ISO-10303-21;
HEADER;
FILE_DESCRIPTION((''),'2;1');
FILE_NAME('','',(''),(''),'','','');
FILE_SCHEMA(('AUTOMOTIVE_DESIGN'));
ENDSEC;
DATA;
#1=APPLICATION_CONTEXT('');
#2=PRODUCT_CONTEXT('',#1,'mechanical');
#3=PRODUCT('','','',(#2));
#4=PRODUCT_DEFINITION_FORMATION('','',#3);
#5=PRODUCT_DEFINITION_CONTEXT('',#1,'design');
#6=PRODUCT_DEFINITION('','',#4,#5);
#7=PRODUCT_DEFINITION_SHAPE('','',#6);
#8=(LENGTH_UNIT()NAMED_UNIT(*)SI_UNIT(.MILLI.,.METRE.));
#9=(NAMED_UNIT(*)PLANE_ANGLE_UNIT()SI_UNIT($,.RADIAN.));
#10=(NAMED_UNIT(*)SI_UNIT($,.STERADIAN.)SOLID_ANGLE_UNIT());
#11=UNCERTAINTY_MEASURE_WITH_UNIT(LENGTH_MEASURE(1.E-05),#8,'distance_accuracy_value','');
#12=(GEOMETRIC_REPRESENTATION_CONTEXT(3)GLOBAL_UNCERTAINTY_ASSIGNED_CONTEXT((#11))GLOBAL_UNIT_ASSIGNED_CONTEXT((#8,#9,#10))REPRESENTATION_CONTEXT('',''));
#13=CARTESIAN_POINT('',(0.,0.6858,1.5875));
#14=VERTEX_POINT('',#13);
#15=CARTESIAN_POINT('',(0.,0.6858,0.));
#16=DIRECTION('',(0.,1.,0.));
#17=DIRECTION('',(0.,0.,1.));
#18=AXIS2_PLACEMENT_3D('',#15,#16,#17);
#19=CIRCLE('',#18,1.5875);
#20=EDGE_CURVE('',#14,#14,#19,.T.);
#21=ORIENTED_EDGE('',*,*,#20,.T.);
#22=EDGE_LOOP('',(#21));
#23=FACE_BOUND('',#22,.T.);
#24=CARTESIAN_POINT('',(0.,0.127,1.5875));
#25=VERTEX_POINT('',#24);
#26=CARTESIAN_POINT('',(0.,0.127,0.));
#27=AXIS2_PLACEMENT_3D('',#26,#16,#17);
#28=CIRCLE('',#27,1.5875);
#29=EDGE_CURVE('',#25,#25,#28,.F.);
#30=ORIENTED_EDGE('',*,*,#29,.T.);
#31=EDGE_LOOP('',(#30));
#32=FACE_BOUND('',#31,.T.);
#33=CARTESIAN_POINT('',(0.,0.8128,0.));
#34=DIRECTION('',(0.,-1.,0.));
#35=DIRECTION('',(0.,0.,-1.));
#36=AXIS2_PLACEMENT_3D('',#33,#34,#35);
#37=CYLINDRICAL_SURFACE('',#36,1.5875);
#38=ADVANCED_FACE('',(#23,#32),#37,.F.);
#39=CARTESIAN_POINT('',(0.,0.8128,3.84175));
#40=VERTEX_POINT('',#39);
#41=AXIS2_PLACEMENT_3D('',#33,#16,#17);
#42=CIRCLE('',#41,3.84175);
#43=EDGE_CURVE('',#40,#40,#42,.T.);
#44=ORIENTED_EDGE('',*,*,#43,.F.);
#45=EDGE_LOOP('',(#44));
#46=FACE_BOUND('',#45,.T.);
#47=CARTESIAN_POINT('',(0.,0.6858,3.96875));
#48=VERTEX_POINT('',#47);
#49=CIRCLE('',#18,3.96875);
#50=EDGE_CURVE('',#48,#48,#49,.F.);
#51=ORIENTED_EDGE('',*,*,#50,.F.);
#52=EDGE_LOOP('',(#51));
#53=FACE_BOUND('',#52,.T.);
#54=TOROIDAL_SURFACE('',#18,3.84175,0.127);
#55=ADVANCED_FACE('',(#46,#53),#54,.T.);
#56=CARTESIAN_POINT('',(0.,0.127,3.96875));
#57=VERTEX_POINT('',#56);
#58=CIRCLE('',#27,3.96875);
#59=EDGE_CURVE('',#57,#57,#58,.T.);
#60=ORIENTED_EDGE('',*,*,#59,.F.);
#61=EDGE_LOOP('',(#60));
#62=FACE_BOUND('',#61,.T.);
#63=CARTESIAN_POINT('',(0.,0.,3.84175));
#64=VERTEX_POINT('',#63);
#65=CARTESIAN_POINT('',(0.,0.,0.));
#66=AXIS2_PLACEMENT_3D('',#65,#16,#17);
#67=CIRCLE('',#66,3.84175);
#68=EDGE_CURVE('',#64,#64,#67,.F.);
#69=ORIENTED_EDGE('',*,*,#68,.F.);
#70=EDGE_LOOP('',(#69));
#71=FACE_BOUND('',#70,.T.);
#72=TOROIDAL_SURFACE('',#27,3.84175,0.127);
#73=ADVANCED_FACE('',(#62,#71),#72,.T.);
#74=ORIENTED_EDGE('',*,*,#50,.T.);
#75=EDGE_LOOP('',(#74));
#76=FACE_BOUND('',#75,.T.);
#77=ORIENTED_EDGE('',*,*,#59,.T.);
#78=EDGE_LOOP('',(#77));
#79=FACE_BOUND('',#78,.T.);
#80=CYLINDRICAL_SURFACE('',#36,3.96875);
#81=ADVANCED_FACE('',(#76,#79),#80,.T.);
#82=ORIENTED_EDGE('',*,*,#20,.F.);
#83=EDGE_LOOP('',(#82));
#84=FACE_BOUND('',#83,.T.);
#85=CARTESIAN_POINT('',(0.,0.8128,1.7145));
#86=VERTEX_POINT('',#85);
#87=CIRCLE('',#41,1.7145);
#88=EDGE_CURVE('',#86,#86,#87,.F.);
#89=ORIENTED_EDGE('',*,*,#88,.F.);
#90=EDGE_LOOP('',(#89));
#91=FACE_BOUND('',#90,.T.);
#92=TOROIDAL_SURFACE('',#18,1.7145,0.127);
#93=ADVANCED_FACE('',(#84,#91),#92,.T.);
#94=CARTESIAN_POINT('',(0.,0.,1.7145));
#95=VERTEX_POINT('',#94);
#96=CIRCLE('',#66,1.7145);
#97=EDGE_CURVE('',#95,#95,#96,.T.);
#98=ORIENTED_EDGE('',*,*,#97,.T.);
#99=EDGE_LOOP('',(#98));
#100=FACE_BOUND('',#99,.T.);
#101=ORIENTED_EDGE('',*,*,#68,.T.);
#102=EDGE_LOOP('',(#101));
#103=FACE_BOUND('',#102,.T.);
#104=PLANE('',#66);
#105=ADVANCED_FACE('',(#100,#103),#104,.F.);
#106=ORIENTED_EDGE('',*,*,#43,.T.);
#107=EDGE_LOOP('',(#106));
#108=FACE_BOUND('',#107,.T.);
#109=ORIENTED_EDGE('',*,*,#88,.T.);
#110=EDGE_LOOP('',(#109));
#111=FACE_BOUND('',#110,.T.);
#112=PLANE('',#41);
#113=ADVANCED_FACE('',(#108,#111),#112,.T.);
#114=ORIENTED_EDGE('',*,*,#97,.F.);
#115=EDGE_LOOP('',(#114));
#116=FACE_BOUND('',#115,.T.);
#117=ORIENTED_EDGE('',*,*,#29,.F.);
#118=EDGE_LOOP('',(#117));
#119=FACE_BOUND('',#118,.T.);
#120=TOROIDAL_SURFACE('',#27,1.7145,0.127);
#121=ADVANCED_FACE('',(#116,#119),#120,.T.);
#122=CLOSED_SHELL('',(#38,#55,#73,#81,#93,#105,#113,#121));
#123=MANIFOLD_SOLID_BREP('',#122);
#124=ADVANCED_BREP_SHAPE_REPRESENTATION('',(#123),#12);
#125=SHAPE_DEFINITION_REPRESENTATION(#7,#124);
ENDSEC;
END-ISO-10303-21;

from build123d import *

# Parameters (mm, degrees)
SKETCH1_R           = 3.96875
SKETCH1_R_2         = 1.5875
BOSS_EXTRUDE1_DEPTH = 0.8128
FILLET1_R           = 0.127


with BuildPart() as part:
    # Sketch1 → Boss-Extrude1 (new body)
    with BuildSketch(Plane(origin=(0, 0, 0), x_dir=(1, 0, 0), z_dir=(0, 1, 0))):
        with Locations(Location((0, 0, 0), (0, 0, 270))):
            Circle(SKETCH1_R)
        with Locations(Location((0, 0, 0), (0, 0, 270))):
            Circle(SKETCH1_R_2, mode=Mode.SUBTRACT)
    extrude(amount=BOSS_EXTRUDE1_DEPTH)

    # Fillet1
    fillet1_edges = [part.edges().sort_by_distance(p)[0] for p in [
        (0, 0, -3.96875),
        (0, 0.8128, -3.96875),
        (0, 0, -1.5875),
        (0, 0.8128, -1.5875),
    ]]
    fillet(fillet1_edges, radius=FILLET1_R)


solid = part.part
